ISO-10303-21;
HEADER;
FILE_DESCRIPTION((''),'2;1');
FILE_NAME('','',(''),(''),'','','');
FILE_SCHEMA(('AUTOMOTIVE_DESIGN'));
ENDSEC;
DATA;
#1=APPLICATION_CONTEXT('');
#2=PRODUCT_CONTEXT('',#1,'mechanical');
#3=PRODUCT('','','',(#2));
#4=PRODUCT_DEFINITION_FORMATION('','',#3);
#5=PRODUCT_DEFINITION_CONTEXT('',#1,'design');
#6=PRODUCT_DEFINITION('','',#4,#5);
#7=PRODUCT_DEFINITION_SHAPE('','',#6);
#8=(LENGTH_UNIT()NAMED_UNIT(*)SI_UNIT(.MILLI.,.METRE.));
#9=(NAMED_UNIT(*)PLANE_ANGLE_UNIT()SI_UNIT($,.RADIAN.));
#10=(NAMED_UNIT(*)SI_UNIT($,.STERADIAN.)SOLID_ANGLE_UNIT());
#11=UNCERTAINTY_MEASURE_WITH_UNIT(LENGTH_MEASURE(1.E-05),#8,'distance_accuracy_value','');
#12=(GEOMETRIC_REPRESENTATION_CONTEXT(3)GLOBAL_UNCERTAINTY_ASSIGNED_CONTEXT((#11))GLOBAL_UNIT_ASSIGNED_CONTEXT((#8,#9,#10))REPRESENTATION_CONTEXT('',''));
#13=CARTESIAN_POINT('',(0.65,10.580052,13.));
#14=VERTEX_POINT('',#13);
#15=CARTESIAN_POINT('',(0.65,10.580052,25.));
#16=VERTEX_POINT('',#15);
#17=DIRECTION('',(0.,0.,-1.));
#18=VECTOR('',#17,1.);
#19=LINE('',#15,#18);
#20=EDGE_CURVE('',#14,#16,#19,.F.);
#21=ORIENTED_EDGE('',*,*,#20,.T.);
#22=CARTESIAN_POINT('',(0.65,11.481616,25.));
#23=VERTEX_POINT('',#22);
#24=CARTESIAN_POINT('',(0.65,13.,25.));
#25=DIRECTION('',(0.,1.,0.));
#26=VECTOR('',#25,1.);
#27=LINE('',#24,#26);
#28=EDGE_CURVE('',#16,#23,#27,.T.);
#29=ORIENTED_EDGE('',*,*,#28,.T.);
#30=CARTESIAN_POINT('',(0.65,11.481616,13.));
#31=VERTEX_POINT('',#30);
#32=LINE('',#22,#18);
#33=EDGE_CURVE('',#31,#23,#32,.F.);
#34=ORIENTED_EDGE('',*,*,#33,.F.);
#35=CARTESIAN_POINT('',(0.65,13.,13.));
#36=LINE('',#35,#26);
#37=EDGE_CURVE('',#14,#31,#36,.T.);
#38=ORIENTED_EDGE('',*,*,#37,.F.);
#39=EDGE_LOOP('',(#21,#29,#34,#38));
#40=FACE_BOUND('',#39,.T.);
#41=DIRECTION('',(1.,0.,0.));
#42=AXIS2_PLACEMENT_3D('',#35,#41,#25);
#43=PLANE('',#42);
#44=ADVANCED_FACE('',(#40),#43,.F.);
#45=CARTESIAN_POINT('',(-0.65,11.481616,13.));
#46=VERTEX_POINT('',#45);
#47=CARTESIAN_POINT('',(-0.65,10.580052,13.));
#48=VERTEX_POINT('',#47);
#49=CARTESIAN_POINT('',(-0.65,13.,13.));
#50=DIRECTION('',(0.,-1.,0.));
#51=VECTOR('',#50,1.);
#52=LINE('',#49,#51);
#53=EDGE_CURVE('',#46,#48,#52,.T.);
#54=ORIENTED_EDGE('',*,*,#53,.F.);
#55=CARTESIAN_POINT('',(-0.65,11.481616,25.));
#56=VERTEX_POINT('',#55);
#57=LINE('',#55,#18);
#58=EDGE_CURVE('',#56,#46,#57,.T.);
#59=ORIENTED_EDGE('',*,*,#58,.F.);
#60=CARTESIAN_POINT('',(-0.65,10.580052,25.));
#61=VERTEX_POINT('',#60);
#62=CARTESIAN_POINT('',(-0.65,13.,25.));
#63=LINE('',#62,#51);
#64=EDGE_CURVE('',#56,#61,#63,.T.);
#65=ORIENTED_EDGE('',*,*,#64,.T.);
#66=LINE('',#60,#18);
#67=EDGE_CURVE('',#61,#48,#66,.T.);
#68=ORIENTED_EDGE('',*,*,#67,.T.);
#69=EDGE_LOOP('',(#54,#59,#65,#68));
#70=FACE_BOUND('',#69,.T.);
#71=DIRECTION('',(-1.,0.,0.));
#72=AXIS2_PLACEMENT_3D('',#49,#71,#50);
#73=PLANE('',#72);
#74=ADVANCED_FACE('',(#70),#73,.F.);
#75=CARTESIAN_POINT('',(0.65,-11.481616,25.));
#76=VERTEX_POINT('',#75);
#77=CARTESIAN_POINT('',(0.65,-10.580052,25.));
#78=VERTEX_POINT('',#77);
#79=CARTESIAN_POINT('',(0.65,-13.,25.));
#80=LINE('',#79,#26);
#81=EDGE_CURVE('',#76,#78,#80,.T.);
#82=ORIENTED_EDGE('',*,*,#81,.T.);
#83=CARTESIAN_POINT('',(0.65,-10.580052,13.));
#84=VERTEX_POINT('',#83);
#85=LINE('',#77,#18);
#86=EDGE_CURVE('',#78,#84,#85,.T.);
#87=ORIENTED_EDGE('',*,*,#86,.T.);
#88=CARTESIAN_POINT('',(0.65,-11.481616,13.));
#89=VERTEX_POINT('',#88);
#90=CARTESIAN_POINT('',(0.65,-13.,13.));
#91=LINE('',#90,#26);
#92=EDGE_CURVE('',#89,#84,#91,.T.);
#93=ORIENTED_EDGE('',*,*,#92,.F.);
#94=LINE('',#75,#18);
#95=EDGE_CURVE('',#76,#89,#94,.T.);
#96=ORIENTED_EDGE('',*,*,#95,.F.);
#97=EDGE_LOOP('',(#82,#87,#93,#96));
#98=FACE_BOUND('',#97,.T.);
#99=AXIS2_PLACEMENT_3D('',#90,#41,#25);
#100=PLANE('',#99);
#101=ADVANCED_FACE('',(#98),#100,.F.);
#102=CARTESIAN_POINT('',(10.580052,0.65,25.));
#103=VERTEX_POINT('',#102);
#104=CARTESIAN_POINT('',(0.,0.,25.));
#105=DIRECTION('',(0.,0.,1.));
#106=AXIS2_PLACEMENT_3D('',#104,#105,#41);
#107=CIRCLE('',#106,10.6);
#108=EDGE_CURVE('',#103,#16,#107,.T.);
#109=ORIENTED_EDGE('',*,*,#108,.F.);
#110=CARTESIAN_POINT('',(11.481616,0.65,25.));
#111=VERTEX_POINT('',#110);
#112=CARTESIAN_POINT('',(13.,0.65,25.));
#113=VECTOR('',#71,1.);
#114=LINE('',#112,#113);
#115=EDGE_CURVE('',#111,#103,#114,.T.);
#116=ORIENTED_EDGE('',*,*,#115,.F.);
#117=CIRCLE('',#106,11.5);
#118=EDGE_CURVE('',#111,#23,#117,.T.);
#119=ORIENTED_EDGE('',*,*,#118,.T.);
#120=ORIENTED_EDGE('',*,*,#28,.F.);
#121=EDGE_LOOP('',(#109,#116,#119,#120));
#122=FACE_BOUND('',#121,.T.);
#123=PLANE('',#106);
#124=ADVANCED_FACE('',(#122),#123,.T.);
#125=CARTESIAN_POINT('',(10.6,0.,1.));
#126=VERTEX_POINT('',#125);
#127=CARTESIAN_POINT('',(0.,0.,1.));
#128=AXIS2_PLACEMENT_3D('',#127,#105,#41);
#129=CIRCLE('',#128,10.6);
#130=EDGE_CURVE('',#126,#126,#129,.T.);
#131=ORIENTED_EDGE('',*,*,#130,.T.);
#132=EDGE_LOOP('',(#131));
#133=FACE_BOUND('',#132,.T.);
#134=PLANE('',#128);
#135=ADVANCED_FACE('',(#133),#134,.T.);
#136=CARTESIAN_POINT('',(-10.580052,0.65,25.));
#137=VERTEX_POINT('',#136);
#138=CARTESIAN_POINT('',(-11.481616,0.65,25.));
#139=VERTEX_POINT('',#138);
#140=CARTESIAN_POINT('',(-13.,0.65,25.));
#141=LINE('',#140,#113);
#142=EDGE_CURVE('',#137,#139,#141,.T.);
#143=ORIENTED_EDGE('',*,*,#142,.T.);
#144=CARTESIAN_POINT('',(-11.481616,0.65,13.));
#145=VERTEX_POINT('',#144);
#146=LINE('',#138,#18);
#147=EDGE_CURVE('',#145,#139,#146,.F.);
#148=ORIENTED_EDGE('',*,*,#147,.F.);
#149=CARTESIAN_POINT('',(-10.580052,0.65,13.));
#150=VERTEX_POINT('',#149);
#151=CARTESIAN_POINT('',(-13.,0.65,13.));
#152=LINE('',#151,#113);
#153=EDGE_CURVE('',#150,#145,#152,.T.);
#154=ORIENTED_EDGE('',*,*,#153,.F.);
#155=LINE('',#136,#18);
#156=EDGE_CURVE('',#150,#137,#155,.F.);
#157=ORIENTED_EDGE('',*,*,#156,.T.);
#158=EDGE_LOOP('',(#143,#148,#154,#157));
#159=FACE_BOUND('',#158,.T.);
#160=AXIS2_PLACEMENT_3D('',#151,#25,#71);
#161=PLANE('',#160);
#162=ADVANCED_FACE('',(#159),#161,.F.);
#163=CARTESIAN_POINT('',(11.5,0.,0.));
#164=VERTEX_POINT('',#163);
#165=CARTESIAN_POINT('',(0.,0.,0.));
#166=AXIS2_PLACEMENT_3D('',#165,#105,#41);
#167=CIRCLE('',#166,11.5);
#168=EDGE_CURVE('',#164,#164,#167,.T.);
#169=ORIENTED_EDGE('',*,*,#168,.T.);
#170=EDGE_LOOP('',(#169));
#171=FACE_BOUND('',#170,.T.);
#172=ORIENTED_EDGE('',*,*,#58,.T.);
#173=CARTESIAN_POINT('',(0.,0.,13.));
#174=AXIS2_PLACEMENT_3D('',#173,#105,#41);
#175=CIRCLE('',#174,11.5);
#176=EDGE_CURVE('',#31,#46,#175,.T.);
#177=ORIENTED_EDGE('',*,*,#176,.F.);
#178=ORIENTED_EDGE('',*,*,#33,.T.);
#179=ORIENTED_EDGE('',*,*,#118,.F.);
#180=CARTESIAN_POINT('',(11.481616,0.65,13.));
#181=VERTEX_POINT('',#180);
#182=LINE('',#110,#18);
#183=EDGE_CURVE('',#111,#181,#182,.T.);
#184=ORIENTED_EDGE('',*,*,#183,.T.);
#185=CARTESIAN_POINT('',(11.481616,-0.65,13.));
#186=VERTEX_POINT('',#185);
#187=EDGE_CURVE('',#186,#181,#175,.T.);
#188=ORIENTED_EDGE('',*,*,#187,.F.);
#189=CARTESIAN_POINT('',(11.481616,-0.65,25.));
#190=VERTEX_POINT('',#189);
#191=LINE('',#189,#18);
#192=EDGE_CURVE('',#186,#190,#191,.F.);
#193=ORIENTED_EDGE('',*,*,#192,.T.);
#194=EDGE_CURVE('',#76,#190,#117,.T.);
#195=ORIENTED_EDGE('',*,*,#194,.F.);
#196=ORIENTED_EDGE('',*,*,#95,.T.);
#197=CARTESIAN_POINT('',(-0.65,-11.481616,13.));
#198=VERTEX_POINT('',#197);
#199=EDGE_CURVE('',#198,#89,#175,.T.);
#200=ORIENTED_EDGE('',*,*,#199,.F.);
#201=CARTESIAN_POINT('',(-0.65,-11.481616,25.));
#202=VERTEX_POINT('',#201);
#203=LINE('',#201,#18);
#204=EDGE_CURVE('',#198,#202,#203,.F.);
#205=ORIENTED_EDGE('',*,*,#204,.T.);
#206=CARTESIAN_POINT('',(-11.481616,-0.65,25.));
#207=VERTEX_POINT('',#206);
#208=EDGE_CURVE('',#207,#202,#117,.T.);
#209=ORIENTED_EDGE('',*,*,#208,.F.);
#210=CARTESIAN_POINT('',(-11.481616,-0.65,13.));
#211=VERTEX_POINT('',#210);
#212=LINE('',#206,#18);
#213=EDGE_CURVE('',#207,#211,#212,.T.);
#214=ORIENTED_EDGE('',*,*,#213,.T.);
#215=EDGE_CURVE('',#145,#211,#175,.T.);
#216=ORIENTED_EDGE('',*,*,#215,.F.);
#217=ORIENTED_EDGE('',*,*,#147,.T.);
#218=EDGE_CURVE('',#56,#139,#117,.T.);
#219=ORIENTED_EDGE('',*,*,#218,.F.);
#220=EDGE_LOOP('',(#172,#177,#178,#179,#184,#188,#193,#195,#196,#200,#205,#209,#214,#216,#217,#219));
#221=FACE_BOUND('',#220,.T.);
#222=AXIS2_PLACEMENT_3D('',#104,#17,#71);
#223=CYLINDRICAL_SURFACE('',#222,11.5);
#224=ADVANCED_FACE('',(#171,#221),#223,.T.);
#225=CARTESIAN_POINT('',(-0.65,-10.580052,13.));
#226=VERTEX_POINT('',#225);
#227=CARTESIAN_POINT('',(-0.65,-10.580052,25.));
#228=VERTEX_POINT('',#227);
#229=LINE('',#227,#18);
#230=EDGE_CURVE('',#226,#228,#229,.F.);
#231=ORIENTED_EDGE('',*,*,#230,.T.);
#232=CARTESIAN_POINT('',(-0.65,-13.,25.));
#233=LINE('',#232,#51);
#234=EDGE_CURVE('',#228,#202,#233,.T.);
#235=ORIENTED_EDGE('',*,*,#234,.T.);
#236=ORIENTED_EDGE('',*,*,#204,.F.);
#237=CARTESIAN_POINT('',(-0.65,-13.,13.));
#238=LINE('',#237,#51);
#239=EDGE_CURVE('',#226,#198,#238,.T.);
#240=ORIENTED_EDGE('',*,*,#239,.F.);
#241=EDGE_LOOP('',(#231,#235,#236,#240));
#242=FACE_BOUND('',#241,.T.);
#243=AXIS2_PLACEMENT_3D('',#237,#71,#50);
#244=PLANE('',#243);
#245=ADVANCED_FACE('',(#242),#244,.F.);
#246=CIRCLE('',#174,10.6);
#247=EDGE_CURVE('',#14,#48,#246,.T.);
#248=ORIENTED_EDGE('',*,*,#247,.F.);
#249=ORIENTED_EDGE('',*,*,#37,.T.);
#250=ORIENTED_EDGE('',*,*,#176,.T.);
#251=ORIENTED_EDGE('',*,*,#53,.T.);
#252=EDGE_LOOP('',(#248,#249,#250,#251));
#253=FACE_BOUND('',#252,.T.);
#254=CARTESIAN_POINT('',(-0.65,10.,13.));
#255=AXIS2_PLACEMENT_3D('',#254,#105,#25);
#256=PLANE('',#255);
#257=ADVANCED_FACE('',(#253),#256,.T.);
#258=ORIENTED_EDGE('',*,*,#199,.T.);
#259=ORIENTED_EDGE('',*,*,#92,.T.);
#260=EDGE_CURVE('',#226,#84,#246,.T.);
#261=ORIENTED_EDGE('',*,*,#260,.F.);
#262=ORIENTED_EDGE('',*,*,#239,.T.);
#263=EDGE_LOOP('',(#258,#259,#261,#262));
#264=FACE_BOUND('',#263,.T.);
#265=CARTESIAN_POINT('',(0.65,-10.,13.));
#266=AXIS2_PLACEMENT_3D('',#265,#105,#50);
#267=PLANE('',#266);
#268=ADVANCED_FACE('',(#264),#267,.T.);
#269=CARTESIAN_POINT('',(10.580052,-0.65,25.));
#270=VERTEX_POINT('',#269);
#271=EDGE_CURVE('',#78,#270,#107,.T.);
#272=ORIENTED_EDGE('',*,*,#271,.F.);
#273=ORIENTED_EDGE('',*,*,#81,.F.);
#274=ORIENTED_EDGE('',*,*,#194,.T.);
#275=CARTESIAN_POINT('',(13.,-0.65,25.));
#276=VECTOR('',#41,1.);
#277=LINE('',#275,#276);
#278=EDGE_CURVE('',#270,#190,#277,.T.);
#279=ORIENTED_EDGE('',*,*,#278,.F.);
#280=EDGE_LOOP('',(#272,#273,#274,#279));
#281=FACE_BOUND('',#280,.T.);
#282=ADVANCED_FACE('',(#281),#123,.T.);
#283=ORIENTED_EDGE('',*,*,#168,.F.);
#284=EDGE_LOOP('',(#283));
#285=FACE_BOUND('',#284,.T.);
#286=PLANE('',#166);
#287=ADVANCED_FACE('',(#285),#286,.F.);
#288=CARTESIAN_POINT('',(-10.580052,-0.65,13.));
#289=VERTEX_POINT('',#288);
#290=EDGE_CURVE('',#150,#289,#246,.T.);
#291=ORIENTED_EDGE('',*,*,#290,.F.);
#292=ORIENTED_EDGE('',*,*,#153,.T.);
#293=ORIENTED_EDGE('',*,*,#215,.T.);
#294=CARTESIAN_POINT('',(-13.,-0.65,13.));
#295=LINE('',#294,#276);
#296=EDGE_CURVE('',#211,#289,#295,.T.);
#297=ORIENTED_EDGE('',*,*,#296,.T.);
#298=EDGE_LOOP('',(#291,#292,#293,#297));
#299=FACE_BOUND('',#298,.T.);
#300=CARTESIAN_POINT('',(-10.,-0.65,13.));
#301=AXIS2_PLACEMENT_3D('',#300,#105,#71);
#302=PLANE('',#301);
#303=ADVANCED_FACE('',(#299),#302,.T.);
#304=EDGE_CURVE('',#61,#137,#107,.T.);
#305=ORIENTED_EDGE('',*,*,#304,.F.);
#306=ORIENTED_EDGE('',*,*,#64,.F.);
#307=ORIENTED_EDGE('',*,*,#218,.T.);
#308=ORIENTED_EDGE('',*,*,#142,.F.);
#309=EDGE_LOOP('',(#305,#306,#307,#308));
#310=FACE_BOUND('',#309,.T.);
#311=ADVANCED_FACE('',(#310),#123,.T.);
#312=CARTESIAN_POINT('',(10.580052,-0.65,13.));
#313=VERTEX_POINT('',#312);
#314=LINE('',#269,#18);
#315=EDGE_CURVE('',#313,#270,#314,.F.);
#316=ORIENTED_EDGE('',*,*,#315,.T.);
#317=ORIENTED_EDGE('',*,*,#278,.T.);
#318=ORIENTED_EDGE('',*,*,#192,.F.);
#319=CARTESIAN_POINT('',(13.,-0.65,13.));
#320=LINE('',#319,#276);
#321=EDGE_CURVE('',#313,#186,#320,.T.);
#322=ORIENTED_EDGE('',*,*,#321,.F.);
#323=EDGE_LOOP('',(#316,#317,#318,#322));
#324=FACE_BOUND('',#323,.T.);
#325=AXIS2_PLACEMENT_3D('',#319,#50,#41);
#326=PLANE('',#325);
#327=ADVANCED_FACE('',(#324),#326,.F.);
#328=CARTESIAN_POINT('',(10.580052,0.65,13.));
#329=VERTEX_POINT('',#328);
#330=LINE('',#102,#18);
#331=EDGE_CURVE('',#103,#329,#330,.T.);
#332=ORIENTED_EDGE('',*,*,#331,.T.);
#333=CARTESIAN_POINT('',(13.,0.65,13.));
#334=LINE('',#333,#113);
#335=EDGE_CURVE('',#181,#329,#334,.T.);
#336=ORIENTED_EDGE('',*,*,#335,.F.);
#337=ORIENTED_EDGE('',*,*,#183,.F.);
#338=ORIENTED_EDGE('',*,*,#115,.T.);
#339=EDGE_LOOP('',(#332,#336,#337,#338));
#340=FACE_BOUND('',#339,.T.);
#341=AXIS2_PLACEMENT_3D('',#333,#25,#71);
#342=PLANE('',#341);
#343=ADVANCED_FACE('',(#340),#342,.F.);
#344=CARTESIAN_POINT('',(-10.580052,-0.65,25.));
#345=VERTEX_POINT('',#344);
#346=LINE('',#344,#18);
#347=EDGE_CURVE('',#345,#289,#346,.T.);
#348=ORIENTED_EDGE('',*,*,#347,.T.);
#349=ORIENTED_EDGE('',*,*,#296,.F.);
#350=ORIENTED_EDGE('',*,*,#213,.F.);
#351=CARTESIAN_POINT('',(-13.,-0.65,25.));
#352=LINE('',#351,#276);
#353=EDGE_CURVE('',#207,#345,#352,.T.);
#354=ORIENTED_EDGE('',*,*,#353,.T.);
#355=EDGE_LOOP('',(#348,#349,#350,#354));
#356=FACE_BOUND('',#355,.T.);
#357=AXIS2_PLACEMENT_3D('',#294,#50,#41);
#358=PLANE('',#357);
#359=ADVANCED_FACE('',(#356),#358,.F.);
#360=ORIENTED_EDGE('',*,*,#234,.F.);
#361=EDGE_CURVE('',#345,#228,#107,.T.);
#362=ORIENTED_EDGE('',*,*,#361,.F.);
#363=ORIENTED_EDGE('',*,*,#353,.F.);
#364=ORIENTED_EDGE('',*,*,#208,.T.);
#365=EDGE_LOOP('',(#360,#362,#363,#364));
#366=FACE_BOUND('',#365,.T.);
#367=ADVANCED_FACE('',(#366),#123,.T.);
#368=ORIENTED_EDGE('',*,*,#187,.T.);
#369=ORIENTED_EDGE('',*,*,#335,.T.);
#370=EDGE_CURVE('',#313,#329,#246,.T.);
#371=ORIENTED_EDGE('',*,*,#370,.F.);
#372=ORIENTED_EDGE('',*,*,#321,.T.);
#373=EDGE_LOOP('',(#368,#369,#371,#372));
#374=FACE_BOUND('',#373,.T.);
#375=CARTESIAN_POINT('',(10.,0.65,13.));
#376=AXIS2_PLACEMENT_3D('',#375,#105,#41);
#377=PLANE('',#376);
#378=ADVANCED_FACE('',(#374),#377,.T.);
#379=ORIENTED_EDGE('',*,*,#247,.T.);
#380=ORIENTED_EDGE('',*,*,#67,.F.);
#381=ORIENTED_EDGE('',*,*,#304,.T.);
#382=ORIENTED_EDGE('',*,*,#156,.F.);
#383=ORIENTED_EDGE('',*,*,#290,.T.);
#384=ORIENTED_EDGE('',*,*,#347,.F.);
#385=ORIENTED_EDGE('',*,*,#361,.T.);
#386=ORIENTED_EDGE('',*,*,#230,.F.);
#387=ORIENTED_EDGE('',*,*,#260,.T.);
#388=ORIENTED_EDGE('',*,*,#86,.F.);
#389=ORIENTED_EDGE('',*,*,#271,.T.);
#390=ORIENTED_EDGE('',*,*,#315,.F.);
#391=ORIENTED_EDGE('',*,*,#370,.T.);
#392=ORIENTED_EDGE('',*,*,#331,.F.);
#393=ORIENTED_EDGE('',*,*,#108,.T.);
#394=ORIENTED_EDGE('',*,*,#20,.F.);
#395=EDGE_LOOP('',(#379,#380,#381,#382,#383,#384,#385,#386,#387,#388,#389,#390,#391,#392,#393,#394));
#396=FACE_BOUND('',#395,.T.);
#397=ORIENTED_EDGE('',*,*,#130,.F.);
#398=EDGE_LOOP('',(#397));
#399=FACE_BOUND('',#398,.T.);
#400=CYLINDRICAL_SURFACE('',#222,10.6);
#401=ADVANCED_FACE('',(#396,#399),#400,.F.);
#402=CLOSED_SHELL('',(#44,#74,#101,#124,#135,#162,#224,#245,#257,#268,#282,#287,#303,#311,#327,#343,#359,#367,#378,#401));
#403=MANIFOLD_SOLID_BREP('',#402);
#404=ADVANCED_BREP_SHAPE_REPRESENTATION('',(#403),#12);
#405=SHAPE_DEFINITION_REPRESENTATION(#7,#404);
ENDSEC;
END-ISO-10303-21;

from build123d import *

# Parameters (mm, degrees)
SKETCH_1_R               = 11.5
SKETCH_1_R_2             = 10.6
EXTRUDE_1_DEPTH          = 25
SKETCH_2_R               = 11.5
EXTRUDE_2_DEPTH          = 1
SKETCH_3_W               = 3
SKETCH_3_H               = 1.3
CUT_EXTRUDE_4_DEPTH      = 12
PATTERN_CIRCULAR_1_COUNT = 4


with BuildPart() as part:
    # ｽｹｯﾁ1 → ﾎﾞｽ - 押し出し1 (new body)
    with BuildSketch(Plane.XY):
        Circle(SKETCH_1_R)
        Circle(SKETCH_1_R_2, mode=Mode.SUBTRACT)
    extrude(amount=EXTRUDE_1_DEPTH)

    # ｽｹｯﾁ2 → ﾎﾞｽ - 押し出し2 (add)
    with BuildSketch(Plane.XY):
        Circle(SKETCH_2_R)
    extrude(amount=EXTRUDE_2_DEPTH)

    # ｽｹｯﾁ3 → ｶｯﾄ - 押し出し4 (cut)
    with BuildSketch(Plane.XY.offset(25)):
        with Locations((11.5, 0)):
            Rectangle(SKETCH_3_W, SKETCH_3_H)
    cut_extrude_4 = extrude(amount=-CUT_EXTRUDE_4_DEPTH, mode=Mode.SUBTRACT)

    # 円形ﾊﾟﾀｰﾝ1: ｶｯﾄ - 押し出し4 ×4 about axis
    pattern_circular_1_axis = Axis((0, 0, 0), (0, 0, 1))
    for i in range(1, PATTERN_CIRCULAR_1_COUNT):
        add(cut_extrude_4.rotate(pattern_circular_1_axis, i * 360 / PATTERN_CIRCULAR_1_COUNT), mode=Mode.SUBTRACT)


solid = part.part
